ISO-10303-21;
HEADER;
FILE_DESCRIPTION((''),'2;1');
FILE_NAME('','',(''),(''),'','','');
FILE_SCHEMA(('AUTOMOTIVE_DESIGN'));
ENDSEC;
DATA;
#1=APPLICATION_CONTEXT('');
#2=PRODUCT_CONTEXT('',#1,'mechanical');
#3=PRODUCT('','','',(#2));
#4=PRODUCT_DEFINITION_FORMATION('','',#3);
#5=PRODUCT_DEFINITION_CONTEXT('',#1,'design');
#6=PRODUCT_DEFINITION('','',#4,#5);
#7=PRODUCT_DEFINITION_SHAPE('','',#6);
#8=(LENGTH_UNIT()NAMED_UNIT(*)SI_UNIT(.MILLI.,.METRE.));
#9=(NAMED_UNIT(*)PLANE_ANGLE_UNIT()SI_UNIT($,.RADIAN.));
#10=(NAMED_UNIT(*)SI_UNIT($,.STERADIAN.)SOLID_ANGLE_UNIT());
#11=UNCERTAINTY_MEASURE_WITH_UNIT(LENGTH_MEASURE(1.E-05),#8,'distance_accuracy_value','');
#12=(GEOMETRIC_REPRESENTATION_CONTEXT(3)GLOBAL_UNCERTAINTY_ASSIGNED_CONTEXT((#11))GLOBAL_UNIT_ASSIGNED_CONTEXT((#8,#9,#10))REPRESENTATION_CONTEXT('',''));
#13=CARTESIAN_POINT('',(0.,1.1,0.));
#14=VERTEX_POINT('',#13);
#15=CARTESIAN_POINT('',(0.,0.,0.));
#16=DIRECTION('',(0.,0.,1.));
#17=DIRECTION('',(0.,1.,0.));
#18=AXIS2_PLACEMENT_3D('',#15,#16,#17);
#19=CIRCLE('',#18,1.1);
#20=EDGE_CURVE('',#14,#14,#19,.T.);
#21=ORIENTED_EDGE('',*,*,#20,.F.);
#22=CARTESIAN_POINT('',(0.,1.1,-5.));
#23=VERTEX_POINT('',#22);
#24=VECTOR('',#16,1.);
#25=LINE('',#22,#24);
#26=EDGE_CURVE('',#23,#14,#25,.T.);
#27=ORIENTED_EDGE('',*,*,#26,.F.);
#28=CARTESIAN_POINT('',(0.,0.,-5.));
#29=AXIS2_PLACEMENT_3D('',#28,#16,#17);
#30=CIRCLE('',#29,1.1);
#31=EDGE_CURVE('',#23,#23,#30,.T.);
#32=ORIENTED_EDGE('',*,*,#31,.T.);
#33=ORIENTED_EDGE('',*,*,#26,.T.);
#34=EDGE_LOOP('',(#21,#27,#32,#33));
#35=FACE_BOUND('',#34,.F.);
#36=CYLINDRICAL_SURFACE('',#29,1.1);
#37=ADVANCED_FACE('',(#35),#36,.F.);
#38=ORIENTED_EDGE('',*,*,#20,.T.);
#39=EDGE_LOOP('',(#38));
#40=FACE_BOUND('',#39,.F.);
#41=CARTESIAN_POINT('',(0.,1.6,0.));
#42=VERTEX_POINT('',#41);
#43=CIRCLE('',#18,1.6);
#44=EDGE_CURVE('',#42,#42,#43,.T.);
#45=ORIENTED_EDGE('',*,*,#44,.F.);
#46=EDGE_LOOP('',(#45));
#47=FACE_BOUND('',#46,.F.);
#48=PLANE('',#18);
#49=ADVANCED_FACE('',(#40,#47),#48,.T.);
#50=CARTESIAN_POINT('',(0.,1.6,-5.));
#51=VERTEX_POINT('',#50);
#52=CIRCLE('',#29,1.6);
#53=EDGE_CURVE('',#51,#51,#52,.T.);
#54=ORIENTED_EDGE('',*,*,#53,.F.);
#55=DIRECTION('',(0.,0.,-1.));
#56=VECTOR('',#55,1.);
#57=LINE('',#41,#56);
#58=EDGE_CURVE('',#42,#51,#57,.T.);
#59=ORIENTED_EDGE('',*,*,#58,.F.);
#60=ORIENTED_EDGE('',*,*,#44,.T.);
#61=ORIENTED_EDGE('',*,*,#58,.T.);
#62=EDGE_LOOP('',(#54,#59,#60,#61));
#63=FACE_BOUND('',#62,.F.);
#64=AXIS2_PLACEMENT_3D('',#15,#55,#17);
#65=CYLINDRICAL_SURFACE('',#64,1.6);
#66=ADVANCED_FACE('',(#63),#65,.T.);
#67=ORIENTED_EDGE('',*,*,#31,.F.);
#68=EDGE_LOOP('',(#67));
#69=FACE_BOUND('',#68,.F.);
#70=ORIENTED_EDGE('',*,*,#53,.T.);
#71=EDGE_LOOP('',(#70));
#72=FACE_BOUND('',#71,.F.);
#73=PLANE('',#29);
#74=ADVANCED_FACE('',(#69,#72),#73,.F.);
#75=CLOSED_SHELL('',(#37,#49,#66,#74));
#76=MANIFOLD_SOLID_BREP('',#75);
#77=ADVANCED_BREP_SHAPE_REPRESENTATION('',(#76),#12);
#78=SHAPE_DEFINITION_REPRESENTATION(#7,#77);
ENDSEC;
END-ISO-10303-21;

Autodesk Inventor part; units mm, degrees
ref_plane "YZ Plane" through (0, 0, 0) normal (1, 0, 0) x (0, 1, 0)
ref_plane "XZ Plane" through (0, 0, 0) normal (0, 1, 0) x (-1, 0, 0)
ref_plane "XY Plane" through (0, 0, 0) normal (0, 0, 1) x (1, 0, 0)
sketch "スケッチ1" plane through (0, 0, 0) normal (1, 0, 0) x (0, 1, 0)
  line L0 (1.1, 0) -> (1.6, 0)
  line L1 (1.6, 0) -> (1.6, -5)
  line L2 (1.6, -5) -> (1.1, -5)
  line L3 (1.1, -5) -> (1.1, 0)
  line L4 (0, -6) -> (0, 1) projected
  point P0 (0, 0)
  dimension "d0" = 1.1
  dimension "d1" = 1.6
  dimension "d2" = 5
revolve "回転1" add sketch "スケッチ1" angle 360 about axis through (0, 0, -10) along (0, 0, 1)
properties part number "MetalCollarPh3L5" material "ステンレス鋼"
